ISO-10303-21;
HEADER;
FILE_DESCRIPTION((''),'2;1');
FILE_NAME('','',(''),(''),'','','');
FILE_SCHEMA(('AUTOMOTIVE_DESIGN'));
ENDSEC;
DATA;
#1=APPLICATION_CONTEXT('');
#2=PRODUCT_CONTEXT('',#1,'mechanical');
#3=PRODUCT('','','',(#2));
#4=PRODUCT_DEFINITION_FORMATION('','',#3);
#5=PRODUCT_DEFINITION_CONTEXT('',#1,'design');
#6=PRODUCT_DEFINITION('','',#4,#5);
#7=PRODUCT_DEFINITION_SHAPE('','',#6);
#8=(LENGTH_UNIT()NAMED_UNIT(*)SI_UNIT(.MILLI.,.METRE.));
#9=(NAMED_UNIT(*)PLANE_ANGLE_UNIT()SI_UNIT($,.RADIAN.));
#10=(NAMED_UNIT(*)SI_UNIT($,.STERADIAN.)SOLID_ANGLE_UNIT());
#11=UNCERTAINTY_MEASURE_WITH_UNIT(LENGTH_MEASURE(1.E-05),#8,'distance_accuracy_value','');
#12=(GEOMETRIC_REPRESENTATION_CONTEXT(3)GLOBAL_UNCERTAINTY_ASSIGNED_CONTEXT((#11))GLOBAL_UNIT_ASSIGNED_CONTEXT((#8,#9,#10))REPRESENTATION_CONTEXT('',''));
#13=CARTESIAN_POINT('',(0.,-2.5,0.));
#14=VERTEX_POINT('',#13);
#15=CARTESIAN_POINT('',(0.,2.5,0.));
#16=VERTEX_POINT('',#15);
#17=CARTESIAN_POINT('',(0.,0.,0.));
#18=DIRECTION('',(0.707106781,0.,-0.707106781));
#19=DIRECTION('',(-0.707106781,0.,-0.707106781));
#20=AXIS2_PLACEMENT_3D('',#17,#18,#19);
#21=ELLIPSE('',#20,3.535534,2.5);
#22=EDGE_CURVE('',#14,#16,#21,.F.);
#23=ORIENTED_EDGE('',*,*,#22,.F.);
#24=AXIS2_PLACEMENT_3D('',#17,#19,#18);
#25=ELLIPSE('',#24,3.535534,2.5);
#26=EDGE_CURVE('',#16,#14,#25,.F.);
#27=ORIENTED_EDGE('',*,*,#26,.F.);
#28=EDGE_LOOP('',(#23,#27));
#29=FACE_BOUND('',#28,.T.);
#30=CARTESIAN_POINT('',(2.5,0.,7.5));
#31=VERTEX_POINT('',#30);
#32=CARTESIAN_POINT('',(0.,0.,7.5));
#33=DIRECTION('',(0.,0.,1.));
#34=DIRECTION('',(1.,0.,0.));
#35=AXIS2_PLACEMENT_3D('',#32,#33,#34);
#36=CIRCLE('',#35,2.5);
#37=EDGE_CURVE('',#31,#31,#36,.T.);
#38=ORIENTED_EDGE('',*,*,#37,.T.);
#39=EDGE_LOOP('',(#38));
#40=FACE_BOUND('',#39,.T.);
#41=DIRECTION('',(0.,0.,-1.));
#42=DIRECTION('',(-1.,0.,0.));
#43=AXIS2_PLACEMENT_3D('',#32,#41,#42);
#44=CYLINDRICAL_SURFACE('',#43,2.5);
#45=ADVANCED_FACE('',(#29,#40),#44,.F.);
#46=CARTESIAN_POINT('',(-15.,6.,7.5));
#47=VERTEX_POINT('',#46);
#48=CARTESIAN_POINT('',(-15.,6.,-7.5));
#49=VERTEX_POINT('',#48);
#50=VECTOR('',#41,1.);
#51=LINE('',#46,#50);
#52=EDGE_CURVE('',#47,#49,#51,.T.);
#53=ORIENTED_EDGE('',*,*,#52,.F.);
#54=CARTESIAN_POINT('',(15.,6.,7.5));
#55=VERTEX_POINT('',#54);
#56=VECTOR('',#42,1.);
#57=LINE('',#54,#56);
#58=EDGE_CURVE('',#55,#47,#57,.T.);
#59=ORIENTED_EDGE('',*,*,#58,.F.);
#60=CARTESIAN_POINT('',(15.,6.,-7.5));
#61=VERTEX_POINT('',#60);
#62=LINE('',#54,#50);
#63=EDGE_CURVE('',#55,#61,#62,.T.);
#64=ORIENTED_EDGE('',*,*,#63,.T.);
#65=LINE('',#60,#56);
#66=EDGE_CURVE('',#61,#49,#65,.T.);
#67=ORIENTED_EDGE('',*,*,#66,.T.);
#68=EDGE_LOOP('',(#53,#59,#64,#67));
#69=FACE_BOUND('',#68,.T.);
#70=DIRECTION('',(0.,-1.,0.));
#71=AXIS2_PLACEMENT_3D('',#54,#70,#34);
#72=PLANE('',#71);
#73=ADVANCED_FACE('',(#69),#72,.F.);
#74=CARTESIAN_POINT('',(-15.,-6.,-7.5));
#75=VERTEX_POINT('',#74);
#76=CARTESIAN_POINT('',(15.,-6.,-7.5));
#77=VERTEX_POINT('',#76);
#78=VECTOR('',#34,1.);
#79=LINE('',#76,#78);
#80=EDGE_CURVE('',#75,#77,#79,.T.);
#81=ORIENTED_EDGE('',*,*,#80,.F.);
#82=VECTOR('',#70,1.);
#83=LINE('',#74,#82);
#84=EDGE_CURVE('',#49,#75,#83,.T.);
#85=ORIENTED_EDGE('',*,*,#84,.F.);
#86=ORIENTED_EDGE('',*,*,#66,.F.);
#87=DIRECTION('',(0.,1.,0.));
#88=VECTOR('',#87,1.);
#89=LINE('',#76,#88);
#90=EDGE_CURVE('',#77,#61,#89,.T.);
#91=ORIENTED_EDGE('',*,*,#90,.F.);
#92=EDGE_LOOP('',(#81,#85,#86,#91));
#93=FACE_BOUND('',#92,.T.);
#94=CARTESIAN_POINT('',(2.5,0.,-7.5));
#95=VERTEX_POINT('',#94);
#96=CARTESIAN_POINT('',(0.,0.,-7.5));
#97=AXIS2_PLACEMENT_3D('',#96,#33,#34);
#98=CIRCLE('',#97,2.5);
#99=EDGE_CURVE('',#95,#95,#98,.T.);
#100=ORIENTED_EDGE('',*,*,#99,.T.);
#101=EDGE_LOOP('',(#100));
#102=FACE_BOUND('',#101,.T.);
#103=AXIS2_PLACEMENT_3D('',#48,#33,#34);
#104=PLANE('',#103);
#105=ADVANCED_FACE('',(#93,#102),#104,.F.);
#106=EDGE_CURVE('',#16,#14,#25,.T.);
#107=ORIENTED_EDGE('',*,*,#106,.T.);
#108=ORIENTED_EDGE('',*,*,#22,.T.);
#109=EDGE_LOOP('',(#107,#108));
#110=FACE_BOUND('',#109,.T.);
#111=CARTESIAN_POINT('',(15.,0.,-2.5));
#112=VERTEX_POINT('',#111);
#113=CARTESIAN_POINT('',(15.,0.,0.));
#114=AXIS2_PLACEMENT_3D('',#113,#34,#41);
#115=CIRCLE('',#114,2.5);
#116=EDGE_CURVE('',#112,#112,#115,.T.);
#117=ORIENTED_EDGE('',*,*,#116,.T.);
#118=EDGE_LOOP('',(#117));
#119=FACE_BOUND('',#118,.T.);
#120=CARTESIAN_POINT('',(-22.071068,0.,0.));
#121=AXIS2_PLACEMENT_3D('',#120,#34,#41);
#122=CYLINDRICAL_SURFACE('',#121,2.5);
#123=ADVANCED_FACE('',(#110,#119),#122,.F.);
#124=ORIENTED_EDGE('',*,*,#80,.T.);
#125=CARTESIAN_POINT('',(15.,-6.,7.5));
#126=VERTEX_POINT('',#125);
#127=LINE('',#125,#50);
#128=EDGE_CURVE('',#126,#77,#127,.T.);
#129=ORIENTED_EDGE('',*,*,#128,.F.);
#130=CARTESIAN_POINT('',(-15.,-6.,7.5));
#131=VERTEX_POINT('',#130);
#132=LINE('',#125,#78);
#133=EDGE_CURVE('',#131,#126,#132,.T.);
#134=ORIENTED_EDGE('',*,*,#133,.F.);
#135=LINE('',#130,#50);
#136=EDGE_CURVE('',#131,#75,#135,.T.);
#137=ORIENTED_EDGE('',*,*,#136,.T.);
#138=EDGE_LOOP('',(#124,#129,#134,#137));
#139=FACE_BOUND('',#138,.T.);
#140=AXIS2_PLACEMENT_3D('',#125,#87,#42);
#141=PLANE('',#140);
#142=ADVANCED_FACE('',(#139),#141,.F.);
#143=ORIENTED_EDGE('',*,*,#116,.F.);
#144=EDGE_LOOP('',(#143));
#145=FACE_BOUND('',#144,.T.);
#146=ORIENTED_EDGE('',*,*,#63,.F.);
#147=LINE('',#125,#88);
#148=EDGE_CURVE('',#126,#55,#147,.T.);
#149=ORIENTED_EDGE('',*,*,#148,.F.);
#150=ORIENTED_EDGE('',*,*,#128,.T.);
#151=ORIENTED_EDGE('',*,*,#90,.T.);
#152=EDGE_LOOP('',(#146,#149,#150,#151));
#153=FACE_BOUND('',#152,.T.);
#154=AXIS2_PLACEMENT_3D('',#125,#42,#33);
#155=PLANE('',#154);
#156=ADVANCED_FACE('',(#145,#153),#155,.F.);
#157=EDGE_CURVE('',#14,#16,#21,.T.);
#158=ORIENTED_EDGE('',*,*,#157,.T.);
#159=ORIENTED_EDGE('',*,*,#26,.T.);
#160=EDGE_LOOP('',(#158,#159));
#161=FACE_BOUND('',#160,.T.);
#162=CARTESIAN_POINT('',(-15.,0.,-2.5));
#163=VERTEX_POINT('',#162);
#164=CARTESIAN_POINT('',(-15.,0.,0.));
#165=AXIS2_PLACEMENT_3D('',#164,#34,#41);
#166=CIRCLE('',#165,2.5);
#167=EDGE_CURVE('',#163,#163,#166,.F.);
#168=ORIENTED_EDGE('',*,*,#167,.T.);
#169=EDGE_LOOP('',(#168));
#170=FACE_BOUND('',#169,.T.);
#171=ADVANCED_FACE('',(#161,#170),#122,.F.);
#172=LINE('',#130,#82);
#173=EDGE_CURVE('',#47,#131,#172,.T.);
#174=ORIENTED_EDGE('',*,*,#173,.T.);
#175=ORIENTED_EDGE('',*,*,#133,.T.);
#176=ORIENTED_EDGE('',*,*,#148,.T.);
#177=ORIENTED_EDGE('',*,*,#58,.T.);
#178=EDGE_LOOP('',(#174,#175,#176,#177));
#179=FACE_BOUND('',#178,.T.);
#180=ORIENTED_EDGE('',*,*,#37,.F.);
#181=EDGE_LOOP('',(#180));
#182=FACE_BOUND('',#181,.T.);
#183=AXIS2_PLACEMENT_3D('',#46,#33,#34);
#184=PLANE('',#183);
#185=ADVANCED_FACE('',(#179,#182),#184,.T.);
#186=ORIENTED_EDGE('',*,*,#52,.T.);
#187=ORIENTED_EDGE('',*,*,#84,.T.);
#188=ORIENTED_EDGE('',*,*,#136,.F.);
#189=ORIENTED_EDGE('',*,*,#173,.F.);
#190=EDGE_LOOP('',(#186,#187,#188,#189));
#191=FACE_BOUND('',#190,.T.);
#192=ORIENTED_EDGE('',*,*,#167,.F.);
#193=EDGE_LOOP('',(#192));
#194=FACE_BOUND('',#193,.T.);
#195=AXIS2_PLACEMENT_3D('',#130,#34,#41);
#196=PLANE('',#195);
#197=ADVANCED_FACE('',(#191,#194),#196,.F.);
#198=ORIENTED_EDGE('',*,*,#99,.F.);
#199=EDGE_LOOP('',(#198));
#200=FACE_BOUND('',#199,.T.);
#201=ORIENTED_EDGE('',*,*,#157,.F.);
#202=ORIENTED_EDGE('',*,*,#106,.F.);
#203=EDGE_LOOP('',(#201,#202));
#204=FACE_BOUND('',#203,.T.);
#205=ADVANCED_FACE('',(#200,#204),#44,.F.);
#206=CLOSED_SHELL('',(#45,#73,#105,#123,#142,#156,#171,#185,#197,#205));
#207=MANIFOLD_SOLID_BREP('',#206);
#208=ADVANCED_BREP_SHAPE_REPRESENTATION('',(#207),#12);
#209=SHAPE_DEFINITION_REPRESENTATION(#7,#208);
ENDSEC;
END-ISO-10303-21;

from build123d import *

# Parameters (mm, degrees)
SCHIZZO1_W                   = 30
SCHIZZO1_H                   = 12
SCHIZZO1_R                   = 2.5
ESTRUSIONE_ESTRUSIONE1_DEPTH = 7.5
TAGLIO_ESTRUSIONE1_REACH     = 33.5
SCHIZZO3_R                   = 2.5


with BuildPart() as part:
    # Schizzo1 → Estrusione-Estrusione1 (new, symmetric)
    with BuildSketch(Plane.XY):
        Rectangle(SCHIZZO1_W, SCHIZZO1_H)
        Circle(SCHIZZO1_R, mode=Mode.SUBTRACT)
    extrude(amount=ESTRUSIONE_ESTRUSIONE1_DEPTH, both=True)

    # Taglio-Estrusione1: up to this face of the body (flat: up to its plane)
    taglio_estrusione1_end = Plane(part.part.faces().sort_by_distance((-15, 0, 0))[0])
    # Schizzo3 → Taglio-Estrusione1 (cut, up to the picked face)
    with BuildSketch(Plane(origin=(15, 0, 0), x_dir=(0, 0, -1), z_dir=(1, 0, 0)), mode=Mode.PRIVATE) as taglio_estrusione1_sk1:
        Circle(SCHIZZO3_R)
    taglio_estrusione1_tool1 = split(extrude(taglio_estrusione1_sk1.sketch, amount=-TAGLIO_ESTRUSIONE1_REACH, mode=Mode.PRIVATE), bisect_by=taglio_estrusione1_end, keep=Keep.BOTH, mode=Mode.PRIVATE)
    add(taglio_estrusione1_tool1.solids().sort_by(Axis((15, 0, 0), (-1, 0, 0)))[0], mode=Mode.SUBTRACT)


solid = part.part
